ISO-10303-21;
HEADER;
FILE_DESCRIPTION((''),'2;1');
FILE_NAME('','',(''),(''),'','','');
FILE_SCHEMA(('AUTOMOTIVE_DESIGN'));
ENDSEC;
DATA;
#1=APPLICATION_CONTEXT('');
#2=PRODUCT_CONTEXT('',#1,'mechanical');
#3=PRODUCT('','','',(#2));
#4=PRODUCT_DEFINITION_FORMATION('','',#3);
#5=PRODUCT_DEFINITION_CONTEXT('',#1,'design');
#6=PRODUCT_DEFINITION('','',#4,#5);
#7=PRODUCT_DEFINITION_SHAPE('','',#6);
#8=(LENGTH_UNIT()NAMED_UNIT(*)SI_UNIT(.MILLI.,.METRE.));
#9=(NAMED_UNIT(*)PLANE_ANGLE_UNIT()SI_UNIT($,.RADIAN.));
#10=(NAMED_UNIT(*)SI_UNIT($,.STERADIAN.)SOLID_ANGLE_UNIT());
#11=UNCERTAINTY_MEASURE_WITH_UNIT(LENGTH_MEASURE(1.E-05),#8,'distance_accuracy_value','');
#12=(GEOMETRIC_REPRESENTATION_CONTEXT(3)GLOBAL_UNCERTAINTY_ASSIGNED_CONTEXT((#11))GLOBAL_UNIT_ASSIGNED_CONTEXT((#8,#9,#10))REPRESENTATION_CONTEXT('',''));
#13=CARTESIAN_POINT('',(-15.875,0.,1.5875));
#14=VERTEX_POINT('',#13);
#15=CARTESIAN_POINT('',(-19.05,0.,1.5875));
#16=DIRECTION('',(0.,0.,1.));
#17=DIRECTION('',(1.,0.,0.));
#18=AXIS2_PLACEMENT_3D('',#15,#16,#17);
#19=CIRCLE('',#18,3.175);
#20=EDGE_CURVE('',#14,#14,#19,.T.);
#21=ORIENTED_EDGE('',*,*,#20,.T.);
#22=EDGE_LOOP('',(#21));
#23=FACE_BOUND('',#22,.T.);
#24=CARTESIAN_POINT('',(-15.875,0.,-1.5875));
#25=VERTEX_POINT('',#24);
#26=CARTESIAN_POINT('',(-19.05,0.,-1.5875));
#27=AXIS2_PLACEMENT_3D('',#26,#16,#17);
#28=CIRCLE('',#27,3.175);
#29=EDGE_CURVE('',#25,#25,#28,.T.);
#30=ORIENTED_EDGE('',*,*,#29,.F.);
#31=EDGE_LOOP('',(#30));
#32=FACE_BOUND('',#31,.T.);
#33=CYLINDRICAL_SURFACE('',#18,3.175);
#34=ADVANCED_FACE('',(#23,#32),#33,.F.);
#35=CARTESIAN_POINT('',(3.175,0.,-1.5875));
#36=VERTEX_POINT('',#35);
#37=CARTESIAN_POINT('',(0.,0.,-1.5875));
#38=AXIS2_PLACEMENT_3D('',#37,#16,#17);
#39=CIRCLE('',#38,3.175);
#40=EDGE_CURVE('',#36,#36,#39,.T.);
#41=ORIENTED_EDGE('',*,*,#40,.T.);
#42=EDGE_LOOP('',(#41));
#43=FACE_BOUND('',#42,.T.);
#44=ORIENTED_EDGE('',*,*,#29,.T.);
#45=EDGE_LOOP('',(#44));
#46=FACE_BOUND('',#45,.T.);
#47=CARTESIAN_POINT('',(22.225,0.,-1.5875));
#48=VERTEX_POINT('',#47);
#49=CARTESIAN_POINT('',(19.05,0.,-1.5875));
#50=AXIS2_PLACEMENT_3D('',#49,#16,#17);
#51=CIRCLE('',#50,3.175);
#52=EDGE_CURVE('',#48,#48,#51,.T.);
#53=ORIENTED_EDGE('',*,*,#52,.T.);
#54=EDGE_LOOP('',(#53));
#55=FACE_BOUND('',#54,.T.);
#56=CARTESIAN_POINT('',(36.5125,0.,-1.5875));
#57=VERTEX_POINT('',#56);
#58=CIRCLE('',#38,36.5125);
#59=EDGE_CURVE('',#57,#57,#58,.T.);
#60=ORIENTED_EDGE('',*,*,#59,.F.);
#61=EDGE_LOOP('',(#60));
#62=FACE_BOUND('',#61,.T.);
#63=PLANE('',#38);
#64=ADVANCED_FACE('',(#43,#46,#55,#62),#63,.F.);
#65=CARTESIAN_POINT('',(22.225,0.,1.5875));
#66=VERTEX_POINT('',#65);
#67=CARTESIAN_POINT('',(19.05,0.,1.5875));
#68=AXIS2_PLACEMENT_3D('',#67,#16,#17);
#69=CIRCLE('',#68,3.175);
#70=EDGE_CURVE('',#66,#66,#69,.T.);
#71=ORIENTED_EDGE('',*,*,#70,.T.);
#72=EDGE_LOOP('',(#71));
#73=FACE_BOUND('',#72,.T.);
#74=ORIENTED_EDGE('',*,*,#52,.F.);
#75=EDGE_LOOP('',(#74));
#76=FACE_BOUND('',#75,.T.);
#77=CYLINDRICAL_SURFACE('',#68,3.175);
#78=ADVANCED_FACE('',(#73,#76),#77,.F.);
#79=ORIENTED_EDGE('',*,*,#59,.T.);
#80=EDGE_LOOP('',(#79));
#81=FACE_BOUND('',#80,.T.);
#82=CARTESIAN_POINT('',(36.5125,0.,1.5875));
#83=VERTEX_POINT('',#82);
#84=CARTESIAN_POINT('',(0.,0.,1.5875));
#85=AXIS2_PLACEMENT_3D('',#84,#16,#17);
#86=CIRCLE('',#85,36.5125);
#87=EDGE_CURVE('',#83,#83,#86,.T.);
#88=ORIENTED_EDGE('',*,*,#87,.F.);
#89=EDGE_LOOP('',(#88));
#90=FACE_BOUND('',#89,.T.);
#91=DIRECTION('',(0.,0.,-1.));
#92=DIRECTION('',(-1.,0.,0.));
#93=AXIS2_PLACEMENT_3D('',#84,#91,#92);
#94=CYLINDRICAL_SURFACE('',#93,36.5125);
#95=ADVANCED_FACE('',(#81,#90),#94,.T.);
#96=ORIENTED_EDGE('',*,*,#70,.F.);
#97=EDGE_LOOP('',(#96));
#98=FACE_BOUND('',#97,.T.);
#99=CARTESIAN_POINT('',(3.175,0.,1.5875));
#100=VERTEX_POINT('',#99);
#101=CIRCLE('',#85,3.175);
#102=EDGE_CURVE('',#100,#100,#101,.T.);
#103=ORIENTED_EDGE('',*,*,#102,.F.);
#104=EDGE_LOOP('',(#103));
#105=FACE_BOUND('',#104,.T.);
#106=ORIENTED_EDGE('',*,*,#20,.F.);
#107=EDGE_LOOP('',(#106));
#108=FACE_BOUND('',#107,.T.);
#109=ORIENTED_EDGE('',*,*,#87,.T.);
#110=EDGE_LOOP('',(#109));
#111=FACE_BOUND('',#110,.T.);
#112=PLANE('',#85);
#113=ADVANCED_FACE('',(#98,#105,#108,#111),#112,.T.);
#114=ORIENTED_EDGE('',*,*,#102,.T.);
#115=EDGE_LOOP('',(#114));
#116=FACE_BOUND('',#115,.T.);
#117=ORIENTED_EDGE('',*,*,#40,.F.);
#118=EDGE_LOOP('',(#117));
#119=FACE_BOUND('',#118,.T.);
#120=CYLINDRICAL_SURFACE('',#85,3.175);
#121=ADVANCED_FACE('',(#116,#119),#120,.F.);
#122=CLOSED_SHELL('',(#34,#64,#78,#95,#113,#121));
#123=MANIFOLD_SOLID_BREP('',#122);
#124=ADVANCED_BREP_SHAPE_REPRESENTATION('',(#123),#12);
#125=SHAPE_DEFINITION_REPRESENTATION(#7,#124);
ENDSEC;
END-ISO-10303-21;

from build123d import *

# Parameters (mm, degrees)
SKETCH1_R                   = 36.5125
BOSS_EXTRUDE1_DEPTH         = 1.5875
F_1_4_0_25_DIAMETER_HOLE1_D = 6.35


with BuildPart() as part:
    # Sketch1 → Boss-Extrude1 (new body, symmetric)
    with BuildSketch(Plane.XY):
        Circle(SKETCH1_R)
    extrude(amount=BOSS_EXTRUDE1_DEPTH, both=True)

    # 1/4 (0.25) Diameter Hole1 (through all)
    with Locations(Plane.XY.offset(1.5875)):
        with Locations((-19.05, 0), (0, 0), (19.05, 0)):
            Hole(F_1_4_0_25_DIAMETER_HOLE1_D / 2)


solid = part.part
